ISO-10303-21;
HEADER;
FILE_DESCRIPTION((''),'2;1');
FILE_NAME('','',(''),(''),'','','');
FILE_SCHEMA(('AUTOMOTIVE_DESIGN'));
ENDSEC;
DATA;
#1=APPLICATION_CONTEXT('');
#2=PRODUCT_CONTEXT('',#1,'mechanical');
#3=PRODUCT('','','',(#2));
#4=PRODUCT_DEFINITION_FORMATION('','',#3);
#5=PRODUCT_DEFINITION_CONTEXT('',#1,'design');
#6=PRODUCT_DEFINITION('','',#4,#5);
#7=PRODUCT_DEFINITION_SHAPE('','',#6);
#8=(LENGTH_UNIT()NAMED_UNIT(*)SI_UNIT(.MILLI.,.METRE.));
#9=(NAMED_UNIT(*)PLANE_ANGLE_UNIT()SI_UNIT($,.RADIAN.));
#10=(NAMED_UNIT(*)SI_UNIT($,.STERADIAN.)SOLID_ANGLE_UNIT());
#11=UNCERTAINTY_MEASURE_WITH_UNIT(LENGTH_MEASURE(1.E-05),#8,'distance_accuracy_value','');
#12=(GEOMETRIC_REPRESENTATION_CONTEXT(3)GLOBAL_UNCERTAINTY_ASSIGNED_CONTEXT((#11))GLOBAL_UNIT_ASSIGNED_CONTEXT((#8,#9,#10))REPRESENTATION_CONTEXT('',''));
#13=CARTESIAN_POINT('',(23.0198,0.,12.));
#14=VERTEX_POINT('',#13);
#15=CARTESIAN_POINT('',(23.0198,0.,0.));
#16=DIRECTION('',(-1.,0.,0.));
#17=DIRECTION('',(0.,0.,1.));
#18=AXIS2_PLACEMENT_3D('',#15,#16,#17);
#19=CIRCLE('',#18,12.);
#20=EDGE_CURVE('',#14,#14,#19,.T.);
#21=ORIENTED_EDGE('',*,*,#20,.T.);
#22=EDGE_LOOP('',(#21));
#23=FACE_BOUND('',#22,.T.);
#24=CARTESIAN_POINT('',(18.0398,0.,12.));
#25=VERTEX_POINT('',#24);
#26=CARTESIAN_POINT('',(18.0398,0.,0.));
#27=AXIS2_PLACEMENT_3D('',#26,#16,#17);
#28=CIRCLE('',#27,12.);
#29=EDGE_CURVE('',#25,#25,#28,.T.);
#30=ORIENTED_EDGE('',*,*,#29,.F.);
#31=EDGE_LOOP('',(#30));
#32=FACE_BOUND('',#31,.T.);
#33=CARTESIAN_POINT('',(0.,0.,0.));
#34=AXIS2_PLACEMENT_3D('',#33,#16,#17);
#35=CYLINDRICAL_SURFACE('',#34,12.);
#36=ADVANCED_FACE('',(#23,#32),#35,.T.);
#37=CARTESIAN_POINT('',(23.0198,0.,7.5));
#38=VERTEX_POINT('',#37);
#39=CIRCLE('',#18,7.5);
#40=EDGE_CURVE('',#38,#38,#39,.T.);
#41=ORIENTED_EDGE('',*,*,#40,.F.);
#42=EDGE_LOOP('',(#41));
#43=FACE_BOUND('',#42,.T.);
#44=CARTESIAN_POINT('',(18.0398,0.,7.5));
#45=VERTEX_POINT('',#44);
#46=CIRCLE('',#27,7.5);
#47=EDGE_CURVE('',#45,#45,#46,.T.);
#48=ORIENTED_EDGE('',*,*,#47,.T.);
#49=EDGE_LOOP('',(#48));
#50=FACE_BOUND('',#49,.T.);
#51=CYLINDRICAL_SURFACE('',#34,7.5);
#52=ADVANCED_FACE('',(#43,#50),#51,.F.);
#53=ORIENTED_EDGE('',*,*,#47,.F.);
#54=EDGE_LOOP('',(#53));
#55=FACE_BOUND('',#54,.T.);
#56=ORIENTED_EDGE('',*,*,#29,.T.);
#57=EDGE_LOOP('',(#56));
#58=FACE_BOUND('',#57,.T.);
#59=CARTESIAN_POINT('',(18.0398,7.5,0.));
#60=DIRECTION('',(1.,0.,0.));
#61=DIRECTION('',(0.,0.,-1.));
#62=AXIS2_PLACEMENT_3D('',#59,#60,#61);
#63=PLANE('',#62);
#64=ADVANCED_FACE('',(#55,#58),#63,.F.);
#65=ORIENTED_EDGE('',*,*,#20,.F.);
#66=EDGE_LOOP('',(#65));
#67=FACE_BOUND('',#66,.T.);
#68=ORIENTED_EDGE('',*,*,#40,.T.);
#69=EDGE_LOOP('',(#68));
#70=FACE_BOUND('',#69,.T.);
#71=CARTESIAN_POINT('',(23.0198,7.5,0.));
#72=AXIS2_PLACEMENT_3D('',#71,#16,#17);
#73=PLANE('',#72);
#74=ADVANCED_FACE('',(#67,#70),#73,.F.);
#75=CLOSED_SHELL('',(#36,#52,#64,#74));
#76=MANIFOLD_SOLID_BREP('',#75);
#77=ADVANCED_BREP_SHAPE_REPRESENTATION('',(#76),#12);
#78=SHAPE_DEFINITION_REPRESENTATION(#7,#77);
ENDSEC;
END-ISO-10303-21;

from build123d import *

# Parameters (mm, degrees)
SKETCH3_W = 4.979999946
SKETCH3_H = 4.500000017


with BuildPart() as part:
    # Sketch3 → Revolve1 (revolve)
    with BuildSketch(Plane.XY):
        with Locations((20.529799809, 9.749999995)):
            Rectangle(SKETCH3_W, SKETCH3_H)
    revolve(axis=Axis((0, 0, 0), (1, 0, 0)))


solid = part.part
